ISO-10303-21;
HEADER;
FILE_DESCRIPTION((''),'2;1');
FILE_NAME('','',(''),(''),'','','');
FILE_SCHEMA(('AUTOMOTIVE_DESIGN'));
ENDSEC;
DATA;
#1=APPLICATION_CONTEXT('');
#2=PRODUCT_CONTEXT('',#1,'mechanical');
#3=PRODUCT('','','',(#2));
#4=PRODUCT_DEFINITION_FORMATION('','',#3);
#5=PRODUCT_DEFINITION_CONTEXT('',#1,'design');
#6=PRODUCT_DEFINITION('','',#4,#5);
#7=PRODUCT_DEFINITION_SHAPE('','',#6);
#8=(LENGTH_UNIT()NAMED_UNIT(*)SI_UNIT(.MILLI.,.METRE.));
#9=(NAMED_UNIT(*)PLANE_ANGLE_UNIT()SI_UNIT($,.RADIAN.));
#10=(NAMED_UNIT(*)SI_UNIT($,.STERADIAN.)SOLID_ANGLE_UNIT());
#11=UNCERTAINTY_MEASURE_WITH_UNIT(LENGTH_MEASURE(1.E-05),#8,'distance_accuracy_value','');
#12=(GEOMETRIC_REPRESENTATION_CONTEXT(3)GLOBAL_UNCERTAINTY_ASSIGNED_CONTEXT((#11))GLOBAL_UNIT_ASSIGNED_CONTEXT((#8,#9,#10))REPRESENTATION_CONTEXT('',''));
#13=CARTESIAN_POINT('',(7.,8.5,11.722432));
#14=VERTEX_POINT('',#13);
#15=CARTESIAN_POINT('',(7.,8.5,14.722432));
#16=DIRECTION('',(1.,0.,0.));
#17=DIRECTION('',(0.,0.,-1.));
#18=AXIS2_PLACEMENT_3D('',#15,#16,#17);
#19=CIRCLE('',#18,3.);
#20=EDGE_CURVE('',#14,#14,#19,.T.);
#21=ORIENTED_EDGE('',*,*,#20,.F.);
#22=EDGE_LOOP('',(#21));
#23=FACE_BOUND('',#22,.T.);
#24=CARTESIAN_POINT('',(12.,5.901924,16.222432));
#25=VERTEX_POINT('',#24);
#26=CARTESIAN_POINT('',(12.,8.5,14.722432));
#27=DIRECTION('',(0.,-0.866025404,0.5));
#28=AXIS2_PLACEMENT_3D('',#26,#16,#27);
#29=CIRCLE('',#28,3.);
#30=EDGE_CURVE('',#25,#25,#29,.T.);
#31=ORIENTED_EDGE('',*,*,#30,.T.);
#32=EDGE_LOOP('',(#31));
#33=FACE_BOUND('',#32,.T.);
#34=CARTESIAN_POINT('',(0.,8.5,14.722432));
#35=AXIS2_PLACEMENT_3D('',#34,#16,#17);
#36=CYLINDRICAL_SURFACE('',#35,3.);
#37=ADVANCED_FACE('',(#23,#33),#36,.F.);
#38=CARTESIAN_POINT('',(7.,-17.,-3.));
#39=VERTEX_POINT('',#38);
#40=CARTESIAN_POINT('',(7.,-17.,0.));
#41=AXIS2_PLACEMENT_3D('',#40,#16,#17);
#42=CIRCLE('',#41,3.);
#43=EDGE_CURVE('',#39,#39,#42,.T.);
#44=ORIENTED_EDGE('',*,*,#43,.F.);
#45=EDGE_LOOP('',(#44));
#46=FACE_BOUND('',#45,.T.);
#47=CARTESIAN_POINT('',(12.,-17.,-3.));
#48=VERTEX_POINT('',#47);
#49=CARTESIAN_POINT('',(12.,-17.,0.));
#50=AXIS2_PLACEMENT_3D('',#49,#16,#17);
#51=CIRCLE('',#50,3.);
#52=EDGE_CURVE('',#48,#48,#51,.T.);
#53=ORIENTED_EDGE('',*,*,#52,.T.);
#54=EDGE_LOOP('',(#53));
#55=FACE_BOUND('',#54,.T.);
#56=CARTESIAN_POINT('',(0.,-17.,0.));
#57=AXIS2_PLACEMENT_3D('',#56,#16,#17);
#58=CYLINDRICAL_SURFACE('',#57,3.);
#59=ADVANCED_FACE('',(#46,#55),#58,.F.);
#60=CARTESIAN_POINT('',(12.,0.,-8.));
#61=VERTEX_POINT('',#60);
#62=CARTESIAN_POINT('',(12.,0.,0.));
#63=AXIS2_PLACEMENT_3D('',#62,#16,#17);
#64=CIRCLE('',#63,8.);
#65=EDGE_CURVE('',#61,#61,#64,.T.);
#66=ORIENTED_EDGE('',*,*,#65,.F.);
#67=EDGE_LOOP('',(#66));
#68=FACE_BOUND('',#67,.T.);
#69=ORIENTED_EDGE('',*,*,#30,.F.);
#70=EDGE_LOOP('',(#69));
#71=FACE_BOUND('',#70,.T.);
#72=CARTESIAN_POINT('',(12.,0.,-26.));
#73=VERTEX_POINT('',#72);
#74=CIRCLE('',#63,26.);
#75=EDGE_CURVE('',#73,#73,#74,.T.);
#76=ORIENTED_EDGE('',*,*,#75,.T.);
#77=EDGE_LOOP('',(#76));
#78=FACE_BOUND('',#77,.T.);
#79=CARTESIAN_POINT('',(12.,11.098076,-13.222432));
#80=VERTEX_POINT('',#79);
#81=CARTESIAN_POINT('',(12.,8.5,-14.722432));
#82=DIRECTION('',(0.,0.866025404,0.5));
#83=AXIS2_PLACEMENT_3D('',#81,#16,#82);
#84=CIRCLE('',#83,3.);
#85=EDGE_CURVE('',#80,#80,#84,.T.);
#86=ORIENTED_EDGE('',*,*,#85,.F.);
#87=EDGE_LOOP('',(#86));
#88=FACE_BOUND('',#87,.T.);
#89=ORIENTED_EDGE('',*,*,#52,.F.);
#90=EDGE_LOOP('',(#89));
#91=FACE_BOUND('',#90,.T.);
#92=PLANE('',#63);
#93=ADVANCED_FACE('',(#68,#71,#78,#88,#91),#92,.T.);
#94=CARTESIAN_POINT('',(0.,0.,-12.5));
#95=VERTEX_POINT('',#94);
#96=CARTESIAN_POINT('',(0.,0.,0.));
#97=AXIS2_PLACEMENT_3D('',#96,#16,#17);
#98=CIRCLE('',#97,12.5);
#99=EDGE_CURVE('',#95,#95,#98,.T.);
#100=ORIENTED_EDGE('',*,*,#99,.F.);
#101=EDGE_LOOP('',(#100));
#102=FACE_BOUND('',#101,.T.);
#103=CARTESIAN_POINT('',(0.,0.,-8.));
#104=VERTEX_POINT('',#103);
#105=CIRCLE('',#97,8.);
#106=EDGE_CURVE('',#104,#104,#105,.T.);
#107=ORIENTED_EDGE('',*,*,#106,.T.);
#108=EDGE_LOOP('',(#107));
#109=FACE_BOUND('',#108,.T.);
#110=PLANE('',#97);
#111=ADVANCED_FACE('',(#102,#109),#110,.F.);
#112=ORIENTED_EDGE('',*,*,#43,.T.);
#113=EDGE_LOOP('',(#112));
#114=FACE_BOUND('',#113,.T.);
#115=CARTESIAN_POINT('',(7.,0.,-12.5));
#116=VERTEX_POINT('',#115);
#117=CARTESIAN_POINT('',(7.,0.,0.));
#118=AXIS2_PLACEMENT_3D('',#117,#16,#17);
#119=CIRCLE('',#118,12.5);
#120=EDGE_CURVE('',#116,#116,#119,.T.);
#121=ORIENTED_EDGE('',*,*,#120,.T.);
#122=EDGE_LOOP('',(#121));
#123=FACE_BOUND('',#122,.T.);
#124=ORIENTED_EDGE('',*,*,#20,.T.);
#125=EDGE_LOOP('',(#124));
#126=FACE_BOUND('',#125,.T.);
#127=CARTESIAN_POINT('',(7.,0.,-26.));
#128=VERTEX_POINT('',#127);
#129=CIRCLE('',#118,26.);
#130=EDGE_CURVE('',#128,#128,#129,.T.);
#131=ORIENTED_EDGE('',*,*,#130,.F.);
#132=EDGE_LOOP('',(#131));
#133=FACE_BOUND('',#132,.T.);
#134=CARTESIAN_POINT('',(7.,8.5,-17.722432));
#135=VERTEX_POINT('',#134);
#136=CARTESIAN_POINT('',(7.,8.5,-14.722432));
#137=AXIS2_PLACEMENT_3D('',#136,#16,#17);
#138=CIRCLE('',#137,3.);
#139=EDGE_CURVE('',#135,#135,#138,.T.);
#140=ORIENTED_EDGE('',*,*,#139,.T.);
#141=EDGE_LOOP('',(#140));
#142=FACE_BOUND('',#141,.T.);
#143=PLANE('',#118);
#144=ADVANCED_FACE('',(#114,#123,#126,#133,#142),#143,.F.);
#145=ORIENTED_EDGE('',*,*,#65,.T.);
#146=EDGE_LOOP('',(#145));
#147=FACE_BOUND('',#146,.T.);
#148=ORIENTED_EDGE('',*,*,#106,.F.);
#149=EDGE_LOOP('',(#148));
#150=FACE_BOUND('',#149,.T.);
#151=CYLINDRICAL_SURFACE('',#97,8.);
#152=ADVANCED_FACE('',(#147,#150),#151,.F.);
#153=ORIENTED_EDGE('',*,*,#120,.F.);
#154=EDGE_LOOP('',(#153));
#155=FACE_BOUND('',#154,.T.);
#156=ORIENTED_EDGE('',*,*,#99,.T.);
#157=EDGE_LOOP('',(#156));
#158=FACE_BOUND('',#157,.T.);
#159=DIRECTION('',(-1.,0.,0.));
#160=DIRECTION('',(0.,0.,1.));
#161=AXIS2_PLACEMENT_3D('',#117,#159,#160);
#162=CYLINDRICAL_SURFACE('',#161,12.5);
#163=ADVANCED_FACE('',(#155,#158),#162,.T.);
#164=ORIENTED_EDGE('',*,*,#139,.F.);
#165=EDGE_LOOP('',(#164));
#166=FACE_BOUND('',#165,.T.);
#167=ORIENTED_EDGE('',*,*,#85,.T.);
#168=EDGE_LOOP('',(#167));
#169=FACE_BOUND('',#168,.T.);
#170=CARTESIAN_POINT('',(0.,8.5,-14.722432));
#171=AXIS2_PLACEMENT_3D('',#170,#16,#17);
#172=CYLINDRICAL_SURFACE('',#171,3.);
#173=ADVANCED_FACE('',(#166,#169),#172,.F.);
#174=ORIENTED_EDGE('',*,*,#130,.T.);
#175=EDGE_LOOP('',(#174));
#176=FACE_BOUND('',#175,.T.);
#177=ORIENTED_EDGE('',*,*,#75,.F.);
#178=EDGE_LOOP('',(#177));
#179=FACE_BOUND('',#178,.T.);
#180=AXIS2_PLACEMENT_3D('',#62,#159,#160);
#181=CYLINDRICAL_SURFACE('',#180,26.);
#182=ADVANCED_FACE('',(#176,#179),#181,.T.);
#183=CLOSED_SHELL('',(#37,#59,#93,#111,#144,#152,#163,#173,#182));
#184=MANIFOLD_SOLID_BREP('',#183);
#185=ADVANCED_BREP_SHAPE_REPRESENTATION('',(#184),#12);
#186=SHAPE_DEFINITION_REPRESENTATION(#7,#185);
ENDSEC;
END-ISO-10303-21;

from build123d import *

# Parameters (mm, degrees)
SKETCH1_R           = 12.5
BOSS_EXTRUDE1_DEPTH = 7
SKETCH2_R           = 26
BOSS_EXTRUDE2_DEPTH = 5
SKETCH3_R           = 8
CUT_EXTRUDE1_DEPTH  = 13
SKETCH4_R           = 3
CUT_EXTRUDE3_DEPTH  = 13
CIRPATTERN2_COUNT   = 3


with BuildPart() as part:
    # Sketch1 → Boss-Extrude1 (new body)
    with BuildSketch(Plane(origin=(0, 0, 0), x_dir=(0, 0, -1), z_dir=(1, 0, 0))):
        Circle(SKETCH1_R)
    extrude(amount=BOSS_EXTRUDE1_DEPTH)

    # Sketch2 → Boss-Extrude2 (add)
    with BuildSketch(Plane(origin=(7, 0, 0), x_dir=(0, 0, -1), z_dir=(1, 0, 0))):
        Circle(SKETCH2_R)
    extrude(amount=BOSS_EXTRUDE2_DEPTH)

    # Sketch3 → Cut-Extrude1 (cut, through all)
    with BuildSketch(Plane(origin=(12, 0, 0), x_dir=(0, 0, -1), z_dir=(1, 0, 0))):
        Circle(SKETCH3_R)
    extrude(amount=-CUT_EXTRUDE1_DEPTH, mode=Mode.SUBTRACT)

    # Sketch4 → Cut-Extrude3 (cut, through all)
    with BuildSketch(Plane(origin=(12, 0, 0), x_dir=(0, 0, -1), z_dir=(1, 0, 0))):
        with Locations((0, -17)):
            Circle(SKETCH4_R)
    cut_extrude3 = extrude(amount=-CUT_EXTRUDE3_DEPTH, mode=Mode.SUBTRACT)

    # CirPattern2: Cut-Extrude3 ×3 about axis
    cirpattern2_axis = Axis((0, 0, 0), (1, 0, 0))
    for i in range(1, CIRPATTERN2_COUNT):
        add(cut_extrude3.rotate(cirpattern2_axis, i * 360 / CIRPATTERN2_COUNT), mode=Mode.SUBTRACT)


solid = part.part
